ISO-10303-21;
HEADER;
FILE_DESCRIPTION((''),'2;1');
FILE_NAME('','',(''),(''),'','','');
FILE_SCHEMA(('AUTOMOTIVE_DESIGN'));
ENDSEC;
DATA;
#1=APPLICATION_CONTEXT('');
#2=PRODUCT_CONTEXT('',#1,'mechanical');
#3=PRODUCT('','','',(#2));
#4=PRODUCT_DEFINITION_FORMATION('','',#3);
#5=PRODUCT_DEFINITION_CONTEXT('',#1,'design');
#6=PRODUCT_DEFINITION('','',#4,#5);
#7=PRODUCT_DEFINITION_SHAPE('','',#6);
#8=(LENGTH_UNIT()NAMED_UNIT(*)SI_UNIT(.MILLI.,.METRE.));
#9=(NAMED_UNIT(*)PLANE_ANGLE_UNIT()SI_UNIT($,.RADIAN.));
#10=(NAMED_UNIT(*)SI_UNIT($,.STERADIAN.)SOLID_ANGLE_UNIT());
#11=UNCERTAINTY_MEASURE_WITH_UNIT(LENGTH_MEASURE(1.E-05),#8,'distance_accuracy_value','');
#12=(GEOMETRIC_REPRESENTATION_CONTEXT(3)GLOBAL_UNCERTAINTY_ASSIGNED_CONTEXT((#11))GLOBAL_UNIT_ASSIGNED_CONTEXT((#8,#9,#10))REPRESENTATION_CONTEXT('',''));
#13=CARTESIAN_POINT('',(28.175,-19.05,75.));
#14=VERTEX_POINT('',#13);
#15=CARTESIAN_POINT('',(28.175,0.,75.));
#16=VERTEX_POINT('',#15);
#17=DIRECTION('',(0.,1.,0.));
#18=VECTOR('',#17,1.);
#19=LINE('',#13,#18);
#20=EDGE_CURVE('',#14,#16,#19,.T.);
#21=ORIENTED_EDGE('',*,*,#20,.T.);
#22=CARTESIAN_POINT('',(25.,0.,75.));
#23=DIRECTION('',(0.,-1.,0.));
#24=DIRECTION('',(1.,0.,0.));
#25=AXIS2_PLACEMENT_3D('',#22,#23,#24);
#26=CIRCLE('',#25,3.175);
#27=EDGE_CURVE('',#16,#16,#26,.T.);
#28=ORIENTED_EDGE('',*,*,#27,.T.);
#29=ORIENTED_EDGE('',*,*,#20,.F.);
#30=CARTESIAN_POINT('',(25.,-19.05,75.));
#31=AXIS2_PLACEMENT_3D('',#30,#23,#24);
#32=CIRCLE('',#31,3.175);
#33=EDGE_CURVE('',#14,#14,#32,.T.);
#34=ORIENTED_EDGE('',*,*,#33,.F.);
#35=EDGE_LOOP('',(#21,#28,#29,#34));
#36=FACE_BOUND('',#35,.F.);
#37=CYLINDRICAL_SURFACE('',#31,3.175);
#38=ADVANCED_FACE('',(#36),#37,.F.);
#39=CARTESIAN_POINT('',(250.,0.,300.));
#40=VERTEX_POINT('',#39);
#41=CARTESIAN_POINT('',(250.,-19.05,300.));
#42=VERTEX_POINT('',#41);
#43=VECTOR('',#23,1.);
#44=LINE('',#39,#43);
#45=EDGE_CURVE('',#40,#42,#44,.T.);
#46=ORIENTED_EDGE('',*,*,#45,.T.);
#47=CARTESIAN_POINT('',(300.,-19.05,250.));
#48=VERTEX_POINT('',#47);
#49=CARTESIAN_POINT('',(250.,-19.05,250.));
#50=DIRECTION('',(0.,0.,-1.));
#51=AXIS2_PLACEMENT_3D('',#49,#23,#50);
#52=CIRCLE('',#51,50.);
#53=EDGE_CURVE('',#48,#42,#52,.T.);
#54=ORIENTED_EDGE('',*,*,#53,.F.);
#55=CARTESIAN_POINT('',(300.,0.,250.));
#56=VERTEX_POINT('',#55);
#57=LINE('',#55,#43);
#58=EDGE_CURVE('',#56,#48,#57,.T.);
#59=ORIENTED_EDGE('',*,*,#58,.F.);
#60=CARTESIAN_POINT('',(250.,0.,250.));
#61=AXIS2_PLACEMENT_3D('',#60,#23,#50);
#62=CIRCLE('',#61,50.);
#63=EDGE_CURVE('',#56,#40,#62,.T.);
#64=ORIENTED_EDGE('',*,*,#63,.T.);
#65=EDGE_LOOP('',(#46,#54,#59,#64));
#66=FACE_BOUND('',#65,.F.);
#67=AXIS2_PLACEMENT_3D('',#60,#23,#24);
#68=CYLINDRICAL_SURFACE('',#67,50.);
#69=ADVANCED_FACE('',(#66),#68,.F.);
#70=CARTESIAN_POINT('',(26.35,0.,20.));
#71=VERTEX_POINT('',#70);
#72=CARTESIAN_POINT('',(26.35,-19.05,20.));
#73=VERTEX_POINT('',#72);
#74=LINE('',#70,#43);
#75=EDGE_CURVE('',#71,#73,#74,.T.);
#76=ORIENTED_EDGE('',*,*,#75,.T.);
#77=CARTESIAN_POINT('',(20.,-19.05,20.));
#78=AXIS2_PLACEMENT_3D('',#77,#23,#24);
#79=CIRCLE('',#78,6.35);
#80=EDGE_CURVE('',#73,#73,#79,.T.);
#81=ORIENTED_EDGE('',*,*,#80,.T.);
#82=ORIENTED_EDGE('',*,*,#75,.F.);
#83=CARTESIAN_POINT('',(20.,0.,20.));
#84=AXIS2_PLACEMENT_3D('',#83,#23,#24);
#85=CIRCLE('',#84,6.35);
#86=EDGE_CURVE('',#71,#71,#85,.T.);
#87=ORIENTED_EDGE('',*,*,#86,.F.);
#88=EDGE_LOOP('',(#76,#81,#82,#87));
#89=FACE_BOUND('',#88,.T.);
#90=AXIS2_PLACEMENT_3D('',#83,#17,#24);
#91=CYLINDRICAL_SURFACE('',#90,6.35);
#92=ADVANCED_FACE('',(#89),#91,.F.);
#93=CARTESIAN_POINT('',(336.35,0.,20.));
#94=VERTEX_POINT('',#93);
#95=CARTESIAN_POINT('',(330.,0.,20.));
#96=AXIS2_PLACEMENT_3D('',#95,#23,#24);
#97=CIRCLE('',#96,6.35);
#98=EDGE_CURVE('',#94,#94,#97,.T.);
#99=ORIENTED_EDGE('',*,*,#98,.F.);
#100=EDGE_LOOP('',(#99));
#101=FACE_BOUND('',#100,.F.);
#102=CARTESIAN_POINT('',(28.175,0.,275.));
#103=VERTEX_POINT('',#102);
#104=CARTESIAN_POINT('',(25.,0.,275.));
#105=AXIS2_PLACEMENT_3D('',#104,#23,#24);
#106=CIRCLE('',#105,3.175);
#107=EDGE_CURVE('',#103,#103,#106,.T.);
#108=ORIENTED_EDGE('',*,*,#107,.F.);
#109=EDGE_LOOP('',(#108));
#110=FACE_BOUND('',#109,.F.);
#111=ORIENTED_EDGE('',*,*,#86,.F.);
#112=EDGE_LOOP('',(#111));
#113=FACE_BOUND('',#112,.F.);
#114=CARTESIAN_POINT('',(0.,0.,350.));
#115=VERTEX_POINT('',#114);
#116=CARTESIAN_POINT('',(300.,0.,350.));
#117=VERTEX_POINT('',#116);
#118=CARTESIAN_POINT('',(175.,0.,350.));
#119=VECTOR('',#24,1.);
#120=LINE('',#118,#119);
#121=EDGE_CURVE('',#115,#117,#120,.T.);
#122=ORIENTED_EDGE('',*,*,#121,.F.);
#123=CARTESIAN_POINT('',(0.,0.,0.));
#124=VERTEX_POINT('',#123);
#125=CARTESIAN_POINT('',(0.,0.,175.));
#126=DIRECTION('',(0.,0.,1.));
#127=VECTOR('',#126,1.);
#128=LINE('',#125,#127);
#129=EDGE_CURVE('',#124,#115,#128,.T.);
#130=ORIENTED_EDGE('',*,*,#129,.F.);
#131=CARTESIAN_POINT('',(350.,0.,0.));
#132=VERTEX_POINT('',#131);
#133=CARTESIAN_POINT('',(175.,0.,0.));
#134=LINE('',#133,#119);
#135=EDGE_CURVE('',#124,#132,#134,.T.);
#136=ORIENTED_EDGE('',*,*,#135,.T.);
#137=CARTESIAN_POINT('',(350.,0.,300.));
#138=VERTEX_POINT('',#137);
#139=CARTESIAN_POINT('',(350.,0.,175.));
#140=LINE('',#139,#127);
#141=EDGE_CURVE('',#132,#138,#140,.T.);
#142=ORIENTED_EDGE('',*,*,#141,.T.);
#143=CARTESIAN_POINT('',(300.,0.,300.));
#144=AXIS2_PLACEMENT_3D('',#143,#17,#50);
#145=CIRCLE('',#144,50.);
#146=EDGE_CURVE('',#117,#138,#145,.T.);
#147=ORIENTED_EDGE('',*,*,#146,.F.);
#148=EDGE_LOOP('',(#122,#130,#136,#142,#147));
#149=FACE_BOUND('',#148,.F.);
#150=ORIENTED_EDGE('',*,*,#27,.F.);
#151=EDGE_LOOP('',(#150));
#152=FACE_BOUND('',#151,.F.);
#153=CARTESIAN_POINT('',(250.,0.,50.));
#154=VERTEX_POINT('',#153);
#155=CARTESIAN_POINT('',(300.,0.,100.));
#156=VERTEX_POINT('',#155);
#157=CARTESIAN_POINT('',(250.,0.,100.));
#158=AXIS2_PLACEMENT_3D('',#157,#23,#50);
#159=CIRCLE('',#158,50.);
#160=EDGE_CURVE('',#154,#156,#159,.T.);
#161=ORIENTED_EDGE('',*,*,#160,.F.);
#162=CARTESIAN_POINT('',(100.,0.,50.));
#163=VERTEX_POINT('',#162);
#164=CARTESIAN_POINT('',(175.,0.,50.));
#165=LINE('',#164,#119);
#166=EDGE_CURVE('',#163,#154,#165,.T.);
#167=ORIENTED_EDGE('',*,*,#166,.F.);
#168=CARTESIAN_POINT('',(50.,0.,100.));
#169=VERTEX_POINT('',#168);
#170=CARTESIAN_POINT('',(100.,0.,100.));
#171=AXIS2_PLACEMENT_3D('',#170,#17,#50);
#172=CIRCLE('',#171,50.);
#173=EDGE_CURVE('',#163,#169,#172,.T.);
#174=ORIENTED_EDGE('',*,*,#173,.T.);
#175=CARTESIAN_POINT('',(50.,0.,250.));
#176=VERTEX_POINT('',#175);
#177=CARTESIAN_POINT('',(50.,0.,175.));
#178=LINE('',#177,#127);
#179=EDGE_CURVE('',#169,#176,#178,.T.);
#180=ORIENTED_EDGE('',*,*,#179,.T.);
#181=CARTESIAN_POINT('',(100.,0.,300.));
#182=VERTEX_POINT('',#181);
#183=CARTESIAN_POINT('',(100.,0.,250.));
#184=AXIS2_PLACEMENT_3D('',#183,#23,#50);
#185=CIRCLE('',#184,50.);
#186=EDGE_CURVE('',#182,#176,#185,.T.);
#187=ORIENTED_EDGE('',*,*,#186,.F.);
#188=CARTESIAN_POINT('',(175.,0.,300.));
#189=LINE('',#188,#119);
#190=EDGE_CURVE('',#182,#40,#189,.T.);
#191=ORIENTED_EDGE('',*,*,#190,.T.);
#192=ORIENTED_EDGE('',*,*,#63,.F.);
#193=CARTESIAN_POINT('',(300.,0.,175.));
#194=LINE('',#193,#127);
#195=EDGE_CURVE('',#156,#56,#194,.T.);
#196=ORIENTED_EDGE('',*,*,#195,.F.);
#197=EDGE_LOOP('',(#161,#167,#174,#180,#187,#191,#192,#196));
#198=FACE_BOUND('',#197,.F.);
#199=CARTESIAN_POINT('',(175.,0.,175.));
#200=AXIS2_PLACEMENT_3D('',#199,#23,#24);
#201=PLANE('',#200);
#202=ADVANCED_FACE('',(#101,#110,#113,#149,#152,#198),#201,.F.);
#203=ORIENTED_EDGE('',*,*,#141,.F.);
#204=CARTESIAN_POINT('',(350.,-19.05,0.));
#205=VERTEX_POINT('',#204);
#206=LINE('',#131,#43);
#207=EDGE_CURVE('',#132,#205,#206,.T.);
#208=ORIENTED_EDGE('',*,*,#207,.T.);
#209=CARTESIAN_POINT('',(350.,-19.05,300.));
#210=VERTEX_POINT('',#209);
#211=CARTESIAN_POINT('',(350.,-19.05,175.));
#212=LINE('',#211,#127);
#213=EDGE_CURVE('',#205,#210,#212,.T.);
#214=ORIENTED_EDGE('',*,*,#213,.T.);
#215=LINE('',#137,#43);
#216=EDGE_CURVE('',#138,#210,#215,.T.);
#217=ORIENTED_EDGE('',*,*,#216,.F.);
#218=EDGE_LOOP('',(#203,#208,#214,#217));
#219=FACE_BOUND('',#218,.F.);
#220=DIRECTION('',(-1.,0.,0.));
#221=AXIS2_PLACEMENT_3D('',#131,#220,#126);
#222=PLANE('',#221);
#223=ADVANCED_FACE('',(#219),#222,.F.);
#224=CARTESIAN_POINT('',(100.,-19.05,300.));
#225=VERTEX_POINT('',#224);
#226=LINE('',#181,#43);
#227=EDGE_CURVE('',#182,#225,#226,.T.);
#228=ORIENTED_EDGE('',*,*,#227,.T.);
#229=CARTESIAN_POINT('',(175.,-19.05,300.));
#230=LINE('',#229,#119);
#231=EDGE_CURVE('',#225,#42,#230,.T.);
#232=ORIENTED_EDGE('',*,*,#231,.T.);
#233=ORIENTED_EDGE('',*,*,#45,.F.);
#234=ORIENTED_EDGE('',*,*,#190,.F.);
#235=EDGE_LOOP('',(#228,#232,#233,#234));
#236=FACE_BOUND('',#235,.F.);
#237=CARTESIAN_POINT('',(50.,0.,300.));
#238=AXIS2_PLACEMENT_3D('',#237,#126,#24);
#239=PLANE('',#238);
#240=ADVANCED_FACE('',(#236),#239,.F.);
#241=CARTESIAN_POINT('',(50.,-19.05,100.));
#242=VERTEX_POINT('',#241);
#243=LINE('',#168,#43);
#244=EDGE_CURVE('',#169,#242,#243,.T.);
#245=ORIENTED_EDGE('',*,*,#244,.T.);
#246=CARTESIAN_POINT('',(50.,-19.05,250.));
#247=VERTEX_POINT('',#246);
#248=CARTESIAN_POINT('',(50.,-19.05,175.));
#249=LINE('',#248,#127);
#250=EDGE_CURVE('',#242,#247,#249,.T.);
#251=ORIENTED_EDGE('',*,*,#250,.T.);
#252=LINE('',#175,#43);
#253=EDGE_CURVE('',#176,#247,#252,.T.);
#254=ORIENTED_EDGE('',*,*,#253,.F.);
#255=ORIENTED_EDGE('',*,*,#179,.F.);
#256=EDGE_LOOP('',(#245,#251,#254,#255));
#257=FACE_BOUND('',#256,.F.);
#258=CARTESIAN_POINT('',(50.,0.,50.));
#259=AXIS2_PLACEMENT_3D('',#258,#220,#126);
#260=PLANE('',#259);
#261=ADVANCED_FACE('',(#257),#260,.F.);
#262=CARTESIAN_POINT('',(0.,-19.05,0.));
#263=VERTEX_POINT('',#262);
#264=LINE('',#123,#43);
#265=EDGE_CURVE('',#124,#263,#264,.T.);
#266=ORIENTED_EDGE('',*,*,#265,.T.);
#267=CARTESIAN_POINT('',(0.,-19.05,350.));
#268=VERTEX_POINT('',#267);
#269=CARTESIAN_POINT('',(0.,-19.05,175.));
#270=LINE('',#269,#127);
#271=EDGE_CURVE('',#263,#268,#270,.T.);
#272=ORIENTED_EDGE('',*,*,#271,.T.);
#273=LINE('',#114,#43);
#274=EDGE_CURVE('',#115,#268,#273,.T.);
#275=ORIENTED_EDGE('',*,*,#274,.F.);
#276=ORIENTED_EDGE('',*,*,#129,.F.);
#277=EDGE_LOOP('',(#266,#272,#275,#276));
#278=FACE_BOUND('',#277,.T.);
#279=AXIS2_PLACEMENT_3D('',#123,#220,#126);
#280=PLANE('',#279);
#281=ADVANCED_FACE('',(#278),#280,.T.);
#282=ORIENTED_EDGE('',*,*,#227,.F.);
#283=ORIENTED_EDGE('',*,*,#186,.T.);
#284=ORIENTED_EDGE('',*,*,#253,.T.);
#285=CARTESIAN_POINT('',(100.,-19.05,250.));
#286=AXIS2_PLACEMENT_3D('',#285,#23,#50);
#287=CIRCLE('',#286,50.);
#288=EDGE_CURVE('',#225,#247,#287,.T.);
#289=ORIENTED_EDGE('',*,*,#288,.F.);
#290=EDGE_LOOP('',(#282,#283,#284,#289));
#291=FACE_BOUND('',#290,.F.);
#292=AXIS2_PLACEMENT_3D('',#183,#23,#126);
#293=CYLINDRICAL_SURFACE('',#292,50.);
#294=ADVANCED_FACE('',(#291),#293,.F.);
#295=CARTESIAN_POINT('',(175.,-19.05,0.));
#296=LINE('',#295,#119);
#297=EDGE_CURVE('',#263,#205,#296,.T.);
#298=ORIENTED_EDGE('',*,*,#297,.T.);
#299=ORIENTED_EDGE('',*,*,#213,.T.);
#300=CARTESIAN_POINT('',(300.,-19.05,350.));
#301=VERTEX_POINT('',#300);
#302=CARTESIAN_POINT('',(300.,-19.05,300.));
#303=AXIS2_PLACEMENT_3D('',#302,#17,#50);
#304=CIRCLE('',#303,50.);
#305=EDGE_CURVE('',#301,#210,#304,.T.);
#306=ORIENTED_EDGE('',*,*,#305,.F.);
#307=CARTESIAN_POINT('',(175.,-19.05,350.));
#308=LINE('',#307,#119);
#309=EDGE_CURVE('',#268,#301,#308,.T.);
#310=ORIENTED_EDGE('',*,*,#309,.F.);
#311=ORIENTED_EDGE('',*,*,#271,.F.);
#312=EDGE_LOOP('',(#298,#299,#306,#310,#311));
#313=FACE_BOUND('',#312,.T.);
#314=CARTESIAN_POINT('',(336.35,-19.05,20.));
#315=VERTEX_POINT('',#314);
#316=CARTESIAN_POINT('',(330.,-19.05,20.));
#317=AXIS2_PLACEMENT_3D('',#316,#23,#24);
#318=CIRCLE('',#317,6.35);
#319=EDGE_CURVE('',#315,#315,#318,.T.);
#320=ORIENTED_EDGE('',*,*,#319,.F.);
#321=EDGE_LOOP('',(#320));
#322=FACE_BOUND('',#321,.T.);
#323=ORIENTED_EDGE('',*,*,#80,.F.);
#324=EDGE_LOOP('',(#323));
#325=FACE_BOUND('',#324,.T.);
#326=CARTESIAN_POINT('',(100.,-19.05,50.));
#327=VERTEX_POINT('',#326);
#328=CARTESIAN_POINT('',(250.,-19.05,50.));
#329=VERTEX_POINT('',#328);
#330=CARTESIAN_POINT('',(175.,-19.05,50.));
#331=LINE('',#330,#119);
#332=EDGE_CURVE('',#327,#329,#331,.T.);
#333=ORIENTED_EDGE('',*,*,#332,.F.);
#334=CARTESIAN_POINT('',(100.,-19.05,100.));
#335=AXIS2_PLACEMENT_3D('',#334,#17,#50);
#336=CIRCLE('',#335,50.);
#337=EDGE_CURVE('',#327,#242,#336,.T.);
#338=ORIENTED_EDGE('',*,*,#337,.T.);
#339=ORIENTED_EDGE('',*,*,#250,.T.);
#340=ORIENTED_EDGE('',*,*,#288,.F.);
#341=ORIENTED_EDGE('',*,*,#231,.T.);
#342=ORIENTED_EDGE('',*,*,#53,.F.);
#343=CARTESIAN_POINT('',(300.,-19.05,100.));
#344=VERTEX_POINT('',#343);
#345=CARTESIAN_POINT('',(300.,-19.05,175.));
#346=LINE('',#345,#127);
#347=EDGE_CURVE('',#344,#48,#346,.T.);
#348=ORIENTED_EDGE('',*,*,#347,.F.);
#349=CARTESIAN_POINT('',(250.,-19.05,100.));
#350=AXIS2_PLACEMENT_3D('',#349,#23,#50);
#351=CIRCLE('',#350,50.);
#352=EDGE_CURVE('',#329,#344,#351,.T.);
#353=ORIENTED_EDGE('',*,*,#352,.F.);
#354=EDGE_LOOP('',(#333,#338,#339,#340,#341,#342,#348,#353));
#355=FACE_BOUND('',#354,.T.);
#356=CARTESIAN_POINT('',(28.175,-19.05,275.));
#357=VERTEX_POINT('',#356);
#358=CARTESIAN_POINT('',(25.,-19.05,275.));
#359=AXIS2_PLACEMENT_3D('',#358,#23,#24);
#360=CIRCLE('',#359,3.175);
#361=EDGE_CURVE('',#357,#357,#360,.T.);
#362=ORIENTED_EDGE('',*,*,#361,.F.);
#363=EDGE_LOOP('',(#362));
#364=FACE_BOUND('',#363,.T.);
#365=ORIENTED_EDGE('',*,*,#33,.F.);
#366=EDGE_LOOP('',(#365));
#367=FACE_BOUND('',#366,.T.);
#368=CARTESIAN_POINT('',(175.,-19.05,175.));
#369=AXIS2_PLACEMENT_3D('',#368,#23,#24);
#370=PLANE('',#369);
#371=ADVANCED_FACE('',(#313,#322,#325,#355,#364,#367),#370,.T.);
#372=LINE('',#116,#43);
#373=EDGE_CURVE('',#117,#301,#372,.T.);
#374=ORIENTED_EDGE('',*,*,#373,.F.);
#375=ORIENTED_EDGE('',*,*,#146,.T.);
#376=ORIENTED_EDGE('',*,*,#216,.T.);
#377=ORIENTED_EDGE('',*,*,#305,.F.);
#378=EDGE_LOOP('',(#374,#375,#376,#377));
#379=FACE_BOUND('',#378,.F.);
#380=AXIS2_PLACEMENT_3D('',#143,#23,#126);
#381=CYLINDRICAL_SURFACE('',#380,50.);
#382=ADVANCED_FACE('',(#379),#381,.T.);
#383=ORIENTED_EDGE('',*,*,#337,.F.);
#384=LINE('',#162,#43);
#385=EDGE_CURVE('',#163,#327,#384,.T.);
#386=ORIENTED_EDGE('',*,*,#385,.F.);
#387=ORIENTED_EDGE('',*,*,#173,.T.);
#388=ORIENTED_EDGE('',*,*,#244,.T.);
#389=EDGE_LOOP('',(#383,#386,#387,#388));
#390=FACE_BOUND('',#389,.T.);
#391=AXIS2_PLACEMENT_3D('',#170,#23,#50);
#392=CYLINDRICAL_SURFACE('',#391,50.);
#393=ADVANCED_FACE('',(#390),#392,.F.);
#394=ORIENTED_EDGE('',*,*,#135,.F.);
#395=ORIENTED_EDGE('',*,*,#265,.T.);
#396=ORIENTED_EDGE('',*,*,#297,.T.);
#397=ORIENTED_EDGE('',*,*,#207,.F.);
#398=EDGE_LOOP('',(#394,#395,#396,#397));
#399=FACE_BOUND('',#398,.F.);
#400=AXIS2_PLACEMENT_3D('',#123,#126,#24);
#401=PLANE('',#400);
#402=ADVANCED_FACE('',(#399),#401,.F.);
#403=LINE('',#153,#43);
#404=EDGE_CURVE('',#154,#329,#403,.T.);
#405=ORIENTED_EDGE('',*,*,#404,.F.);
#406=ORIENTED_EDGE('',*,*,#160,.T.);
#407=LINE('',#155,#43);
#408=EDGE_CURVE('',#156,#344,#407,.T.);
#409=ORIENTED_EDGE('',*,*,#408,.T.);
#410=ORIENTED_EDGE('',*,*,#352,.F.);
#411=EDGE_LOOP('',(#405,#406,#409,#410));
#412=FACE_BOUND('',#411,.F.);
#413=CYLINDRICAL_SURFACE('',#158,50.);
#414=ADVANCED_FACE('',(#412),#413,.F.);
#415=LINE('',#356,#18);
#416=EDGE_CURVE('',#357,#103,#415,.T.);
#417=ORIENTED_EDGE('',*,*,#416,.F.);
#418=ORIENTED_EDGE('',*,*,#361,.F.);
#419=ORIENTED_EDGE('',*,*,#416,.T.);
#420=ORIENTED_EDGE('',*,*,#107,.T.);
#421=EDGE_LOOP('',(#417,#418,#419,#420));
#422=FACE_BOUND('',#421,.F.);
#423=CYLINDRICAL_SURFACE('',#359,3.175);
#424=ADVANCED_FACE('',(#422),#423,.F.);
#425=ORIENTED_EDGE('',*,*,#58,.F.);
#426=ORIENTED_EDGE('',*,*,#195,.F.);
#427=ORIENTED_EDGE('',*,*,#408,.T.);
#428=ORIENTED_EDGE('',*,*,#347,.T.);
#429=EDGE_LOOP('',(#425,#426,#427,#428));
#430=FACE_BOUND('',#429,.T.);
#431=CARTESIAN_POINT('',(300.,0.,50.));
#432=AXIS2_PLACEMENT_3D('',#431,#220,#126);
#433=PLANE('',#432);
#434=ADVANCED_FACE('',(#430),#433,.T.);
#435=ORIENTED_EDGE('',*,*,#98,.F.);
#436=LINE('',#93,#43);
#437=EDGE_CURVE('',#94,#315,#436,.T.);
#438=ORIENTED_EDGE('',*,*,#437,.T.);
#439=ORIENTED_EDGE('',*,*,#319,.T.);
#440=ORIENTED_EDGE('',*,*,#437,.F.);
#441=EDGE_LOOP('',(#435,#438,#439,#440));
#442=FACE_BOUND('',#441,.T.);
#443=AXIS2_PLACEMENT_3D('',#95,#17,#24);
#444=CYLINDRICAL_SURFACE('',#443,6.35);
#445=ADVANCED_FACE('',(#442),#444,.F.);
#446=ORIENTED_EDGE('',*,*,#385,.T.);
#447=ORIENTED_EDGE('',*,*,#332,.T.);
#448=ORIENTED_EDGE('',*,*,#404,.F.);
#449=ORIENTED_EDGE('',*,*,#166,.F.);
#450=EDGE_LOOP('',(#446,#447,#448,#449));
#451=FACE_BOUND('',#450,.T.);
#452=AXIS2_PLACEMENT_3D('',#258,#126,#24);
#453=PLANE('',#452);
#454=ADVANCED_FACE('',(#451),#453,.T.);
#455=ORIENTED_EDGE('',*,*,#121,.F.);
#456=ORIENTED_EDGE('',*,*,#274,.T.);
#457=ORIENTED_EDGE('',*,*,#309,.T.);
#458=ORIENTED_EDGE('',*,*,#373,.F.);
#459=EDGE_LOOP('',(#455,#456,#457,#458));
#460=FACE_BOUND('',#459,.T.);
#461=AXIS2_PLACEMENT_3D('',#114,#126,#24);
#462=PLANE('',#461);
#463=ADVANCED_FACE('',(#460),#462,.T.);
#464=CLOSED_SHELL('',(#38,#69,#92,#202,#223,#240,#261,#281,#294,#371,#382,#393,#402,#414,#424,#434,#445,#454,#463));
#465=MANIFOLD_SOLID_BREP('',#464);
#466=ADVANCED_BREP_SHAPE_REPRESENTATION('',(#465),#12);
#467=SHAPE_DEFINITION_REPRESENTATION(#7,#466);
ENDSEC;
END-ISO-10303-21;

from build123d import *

# Parameters (mm, degrees)
F0_W     = 350
F0_H     = 350
F0_R     = 6.35
F0_W_2   = 250
F0_H_2   = 250
F1_DEPTH = 19.05
F2_R     = 50
F3_R     = 3.175
F4_DEPTH = 25


with BuildPart() as f1:
    # F0 (on Front) → F1 (new body)
    with BuildSketch(Plane.XZ):
        with Locations((175, 175)):
            Rectangle(F0_W, F0_H)
        with Locations((20, 20)):
            Circle(F0_R, mode=Mode.SUBTRACT)
        with Locations((330, 20)):
            Circle(F0_R, mode=Mode.SUBTRACT)
        with Locations((175, 175)):
            Rectangle(F0_W_2, F0_H_2, mode=Mode.SUBTRACT)
    extrude(amount=F1_DEPTH)

    # F2
    f2_edges = [f1.edges().sort_by_distance(p)[0] for p in [
        (300, -9.525, 50),
        (300, -9.525, 300),
        (50, -9.525, 300),
        (50, -9.525, 50),
        (350, -9.525, 350),
    ]]
    fillet(f2_edges, radius=F2_R)

    # F3 (on face) → F4 (cut)
    with BuildSketch(Plane.XZ.offset(19.05)):
        with Locations((25, 275)):
            Circle(F3_R)
        with Locations((25, 75)):
            Circle(F3_R)
    extrude(amount=-F4_DEPTH, mode=Mode.SUBTRACT)


solid = f1.part
